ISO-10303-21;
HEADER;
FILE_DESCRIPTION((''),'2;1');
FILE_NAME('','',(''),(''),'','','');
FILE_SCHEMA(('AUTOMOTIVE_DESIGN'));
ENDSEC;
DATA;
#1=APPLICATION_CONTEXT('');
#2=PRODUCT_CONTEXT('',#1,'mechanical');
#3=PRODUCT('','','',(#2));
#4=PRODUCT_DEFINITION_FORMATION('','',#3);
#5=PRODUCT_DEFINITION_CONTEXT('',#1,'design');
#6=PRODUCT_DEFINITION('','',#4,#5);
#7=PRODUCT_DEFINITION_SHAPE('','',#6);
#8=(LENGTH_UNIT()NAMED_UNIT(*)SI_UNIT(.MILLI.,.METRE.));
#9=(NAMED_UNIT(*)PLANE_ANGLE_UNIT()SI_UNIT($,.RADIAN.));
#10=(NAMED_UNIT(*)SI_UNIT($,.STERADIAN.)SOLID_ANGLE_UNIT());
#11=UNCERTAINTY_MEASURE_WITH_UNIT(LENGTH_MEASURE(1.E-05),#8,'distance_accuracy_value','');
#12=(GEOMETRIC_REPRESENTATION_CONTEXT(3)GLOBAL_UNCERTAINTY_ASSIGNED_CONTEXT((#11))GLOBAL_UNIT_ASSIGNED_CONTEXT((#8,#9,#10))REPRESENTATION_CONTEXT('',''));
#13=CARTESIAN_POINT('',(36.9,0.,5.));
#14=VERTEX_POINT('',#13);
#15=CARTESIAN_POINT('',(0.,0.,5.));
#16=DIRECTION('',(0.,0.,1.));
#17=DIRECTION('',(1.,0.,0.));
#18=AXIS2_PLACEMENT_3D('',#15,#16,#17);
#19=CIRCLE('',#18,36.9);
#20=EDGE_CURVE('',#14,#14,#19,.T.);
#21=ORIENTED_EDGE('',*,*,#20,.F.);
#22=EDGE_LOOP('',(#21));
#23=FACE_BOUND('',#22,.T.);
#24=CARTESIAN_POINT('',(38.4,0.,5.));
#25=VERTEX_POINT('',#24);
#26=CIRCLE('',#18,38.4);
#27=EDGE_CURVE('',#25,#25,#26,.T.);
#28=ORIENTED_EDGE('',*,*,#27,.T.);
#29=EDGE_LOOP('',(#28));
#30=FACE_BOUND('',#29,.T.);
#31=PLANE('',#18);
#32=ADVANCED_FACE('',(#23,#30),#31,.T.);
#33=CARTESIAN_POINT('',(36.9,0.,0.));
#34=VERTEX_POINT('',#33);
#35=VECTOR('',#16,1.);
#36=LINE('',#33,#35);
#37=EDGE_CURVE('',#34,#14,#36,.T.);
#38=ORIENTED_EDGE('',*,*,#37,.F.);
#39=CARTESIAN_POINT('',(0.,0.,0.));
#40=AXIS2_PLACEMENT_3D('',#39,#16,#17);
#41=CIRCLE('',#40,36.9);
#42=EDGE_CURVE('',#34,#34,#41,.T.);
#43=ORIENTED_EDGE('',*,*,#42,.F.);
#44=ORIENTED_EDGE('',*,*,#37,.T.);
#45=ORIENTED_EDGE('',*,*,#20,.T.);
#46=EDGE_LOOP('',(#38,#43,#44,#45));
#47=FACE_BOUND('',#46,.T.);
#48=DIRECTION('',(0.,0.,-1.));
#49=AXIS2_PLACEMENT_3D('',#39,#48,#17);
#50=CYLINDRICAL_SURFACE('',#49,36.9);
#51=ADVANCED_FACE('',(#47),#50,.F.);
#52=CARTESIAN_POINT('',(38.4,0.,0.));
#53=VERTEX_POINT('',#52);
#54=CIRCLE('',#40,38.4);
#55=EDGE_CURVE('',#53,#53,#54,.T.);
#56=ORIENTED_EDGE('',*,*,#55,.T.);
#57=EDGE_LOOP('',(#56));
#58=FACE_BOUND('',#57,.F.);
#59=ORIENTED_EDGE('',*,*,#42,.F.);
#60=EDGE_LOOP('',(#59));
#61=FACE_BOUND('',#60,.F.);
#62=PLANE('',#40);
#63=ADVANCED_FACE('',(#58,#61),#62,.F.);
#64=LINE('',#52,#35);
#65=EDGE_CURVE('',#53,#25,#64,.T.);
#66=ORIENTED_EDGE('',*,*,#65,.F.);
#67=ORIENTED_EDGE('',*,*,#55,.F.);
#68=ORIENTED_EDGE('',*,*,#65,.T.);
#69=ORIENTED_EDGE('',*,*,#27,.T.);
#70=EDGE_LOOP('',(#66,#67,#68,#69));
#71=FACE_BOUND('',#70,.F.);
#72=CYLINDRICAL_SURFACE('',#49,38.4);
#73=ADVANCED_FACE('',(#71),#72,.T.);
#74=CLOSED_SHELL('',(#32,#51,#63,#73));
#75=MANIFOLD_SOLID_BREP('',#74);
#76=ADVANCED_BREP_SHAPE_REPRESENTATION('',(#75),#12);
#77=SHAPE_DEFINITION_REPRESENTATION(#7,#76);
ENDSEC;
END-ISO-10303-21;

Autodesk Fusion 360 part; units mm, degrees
sketch "Sketch1" plane through (0, 0, 0) normal (0, 0, 1) x (1, 0, 0)
  circle A0 centre (0, 0) radius 36.9
  circle A1 centre (0, 0) radius 38.4
  dimension "d1" = 73.8
  dimension "d2" = 76.8
extrude "Extrude1" add sketch "Sketch1" along normal blind 5
